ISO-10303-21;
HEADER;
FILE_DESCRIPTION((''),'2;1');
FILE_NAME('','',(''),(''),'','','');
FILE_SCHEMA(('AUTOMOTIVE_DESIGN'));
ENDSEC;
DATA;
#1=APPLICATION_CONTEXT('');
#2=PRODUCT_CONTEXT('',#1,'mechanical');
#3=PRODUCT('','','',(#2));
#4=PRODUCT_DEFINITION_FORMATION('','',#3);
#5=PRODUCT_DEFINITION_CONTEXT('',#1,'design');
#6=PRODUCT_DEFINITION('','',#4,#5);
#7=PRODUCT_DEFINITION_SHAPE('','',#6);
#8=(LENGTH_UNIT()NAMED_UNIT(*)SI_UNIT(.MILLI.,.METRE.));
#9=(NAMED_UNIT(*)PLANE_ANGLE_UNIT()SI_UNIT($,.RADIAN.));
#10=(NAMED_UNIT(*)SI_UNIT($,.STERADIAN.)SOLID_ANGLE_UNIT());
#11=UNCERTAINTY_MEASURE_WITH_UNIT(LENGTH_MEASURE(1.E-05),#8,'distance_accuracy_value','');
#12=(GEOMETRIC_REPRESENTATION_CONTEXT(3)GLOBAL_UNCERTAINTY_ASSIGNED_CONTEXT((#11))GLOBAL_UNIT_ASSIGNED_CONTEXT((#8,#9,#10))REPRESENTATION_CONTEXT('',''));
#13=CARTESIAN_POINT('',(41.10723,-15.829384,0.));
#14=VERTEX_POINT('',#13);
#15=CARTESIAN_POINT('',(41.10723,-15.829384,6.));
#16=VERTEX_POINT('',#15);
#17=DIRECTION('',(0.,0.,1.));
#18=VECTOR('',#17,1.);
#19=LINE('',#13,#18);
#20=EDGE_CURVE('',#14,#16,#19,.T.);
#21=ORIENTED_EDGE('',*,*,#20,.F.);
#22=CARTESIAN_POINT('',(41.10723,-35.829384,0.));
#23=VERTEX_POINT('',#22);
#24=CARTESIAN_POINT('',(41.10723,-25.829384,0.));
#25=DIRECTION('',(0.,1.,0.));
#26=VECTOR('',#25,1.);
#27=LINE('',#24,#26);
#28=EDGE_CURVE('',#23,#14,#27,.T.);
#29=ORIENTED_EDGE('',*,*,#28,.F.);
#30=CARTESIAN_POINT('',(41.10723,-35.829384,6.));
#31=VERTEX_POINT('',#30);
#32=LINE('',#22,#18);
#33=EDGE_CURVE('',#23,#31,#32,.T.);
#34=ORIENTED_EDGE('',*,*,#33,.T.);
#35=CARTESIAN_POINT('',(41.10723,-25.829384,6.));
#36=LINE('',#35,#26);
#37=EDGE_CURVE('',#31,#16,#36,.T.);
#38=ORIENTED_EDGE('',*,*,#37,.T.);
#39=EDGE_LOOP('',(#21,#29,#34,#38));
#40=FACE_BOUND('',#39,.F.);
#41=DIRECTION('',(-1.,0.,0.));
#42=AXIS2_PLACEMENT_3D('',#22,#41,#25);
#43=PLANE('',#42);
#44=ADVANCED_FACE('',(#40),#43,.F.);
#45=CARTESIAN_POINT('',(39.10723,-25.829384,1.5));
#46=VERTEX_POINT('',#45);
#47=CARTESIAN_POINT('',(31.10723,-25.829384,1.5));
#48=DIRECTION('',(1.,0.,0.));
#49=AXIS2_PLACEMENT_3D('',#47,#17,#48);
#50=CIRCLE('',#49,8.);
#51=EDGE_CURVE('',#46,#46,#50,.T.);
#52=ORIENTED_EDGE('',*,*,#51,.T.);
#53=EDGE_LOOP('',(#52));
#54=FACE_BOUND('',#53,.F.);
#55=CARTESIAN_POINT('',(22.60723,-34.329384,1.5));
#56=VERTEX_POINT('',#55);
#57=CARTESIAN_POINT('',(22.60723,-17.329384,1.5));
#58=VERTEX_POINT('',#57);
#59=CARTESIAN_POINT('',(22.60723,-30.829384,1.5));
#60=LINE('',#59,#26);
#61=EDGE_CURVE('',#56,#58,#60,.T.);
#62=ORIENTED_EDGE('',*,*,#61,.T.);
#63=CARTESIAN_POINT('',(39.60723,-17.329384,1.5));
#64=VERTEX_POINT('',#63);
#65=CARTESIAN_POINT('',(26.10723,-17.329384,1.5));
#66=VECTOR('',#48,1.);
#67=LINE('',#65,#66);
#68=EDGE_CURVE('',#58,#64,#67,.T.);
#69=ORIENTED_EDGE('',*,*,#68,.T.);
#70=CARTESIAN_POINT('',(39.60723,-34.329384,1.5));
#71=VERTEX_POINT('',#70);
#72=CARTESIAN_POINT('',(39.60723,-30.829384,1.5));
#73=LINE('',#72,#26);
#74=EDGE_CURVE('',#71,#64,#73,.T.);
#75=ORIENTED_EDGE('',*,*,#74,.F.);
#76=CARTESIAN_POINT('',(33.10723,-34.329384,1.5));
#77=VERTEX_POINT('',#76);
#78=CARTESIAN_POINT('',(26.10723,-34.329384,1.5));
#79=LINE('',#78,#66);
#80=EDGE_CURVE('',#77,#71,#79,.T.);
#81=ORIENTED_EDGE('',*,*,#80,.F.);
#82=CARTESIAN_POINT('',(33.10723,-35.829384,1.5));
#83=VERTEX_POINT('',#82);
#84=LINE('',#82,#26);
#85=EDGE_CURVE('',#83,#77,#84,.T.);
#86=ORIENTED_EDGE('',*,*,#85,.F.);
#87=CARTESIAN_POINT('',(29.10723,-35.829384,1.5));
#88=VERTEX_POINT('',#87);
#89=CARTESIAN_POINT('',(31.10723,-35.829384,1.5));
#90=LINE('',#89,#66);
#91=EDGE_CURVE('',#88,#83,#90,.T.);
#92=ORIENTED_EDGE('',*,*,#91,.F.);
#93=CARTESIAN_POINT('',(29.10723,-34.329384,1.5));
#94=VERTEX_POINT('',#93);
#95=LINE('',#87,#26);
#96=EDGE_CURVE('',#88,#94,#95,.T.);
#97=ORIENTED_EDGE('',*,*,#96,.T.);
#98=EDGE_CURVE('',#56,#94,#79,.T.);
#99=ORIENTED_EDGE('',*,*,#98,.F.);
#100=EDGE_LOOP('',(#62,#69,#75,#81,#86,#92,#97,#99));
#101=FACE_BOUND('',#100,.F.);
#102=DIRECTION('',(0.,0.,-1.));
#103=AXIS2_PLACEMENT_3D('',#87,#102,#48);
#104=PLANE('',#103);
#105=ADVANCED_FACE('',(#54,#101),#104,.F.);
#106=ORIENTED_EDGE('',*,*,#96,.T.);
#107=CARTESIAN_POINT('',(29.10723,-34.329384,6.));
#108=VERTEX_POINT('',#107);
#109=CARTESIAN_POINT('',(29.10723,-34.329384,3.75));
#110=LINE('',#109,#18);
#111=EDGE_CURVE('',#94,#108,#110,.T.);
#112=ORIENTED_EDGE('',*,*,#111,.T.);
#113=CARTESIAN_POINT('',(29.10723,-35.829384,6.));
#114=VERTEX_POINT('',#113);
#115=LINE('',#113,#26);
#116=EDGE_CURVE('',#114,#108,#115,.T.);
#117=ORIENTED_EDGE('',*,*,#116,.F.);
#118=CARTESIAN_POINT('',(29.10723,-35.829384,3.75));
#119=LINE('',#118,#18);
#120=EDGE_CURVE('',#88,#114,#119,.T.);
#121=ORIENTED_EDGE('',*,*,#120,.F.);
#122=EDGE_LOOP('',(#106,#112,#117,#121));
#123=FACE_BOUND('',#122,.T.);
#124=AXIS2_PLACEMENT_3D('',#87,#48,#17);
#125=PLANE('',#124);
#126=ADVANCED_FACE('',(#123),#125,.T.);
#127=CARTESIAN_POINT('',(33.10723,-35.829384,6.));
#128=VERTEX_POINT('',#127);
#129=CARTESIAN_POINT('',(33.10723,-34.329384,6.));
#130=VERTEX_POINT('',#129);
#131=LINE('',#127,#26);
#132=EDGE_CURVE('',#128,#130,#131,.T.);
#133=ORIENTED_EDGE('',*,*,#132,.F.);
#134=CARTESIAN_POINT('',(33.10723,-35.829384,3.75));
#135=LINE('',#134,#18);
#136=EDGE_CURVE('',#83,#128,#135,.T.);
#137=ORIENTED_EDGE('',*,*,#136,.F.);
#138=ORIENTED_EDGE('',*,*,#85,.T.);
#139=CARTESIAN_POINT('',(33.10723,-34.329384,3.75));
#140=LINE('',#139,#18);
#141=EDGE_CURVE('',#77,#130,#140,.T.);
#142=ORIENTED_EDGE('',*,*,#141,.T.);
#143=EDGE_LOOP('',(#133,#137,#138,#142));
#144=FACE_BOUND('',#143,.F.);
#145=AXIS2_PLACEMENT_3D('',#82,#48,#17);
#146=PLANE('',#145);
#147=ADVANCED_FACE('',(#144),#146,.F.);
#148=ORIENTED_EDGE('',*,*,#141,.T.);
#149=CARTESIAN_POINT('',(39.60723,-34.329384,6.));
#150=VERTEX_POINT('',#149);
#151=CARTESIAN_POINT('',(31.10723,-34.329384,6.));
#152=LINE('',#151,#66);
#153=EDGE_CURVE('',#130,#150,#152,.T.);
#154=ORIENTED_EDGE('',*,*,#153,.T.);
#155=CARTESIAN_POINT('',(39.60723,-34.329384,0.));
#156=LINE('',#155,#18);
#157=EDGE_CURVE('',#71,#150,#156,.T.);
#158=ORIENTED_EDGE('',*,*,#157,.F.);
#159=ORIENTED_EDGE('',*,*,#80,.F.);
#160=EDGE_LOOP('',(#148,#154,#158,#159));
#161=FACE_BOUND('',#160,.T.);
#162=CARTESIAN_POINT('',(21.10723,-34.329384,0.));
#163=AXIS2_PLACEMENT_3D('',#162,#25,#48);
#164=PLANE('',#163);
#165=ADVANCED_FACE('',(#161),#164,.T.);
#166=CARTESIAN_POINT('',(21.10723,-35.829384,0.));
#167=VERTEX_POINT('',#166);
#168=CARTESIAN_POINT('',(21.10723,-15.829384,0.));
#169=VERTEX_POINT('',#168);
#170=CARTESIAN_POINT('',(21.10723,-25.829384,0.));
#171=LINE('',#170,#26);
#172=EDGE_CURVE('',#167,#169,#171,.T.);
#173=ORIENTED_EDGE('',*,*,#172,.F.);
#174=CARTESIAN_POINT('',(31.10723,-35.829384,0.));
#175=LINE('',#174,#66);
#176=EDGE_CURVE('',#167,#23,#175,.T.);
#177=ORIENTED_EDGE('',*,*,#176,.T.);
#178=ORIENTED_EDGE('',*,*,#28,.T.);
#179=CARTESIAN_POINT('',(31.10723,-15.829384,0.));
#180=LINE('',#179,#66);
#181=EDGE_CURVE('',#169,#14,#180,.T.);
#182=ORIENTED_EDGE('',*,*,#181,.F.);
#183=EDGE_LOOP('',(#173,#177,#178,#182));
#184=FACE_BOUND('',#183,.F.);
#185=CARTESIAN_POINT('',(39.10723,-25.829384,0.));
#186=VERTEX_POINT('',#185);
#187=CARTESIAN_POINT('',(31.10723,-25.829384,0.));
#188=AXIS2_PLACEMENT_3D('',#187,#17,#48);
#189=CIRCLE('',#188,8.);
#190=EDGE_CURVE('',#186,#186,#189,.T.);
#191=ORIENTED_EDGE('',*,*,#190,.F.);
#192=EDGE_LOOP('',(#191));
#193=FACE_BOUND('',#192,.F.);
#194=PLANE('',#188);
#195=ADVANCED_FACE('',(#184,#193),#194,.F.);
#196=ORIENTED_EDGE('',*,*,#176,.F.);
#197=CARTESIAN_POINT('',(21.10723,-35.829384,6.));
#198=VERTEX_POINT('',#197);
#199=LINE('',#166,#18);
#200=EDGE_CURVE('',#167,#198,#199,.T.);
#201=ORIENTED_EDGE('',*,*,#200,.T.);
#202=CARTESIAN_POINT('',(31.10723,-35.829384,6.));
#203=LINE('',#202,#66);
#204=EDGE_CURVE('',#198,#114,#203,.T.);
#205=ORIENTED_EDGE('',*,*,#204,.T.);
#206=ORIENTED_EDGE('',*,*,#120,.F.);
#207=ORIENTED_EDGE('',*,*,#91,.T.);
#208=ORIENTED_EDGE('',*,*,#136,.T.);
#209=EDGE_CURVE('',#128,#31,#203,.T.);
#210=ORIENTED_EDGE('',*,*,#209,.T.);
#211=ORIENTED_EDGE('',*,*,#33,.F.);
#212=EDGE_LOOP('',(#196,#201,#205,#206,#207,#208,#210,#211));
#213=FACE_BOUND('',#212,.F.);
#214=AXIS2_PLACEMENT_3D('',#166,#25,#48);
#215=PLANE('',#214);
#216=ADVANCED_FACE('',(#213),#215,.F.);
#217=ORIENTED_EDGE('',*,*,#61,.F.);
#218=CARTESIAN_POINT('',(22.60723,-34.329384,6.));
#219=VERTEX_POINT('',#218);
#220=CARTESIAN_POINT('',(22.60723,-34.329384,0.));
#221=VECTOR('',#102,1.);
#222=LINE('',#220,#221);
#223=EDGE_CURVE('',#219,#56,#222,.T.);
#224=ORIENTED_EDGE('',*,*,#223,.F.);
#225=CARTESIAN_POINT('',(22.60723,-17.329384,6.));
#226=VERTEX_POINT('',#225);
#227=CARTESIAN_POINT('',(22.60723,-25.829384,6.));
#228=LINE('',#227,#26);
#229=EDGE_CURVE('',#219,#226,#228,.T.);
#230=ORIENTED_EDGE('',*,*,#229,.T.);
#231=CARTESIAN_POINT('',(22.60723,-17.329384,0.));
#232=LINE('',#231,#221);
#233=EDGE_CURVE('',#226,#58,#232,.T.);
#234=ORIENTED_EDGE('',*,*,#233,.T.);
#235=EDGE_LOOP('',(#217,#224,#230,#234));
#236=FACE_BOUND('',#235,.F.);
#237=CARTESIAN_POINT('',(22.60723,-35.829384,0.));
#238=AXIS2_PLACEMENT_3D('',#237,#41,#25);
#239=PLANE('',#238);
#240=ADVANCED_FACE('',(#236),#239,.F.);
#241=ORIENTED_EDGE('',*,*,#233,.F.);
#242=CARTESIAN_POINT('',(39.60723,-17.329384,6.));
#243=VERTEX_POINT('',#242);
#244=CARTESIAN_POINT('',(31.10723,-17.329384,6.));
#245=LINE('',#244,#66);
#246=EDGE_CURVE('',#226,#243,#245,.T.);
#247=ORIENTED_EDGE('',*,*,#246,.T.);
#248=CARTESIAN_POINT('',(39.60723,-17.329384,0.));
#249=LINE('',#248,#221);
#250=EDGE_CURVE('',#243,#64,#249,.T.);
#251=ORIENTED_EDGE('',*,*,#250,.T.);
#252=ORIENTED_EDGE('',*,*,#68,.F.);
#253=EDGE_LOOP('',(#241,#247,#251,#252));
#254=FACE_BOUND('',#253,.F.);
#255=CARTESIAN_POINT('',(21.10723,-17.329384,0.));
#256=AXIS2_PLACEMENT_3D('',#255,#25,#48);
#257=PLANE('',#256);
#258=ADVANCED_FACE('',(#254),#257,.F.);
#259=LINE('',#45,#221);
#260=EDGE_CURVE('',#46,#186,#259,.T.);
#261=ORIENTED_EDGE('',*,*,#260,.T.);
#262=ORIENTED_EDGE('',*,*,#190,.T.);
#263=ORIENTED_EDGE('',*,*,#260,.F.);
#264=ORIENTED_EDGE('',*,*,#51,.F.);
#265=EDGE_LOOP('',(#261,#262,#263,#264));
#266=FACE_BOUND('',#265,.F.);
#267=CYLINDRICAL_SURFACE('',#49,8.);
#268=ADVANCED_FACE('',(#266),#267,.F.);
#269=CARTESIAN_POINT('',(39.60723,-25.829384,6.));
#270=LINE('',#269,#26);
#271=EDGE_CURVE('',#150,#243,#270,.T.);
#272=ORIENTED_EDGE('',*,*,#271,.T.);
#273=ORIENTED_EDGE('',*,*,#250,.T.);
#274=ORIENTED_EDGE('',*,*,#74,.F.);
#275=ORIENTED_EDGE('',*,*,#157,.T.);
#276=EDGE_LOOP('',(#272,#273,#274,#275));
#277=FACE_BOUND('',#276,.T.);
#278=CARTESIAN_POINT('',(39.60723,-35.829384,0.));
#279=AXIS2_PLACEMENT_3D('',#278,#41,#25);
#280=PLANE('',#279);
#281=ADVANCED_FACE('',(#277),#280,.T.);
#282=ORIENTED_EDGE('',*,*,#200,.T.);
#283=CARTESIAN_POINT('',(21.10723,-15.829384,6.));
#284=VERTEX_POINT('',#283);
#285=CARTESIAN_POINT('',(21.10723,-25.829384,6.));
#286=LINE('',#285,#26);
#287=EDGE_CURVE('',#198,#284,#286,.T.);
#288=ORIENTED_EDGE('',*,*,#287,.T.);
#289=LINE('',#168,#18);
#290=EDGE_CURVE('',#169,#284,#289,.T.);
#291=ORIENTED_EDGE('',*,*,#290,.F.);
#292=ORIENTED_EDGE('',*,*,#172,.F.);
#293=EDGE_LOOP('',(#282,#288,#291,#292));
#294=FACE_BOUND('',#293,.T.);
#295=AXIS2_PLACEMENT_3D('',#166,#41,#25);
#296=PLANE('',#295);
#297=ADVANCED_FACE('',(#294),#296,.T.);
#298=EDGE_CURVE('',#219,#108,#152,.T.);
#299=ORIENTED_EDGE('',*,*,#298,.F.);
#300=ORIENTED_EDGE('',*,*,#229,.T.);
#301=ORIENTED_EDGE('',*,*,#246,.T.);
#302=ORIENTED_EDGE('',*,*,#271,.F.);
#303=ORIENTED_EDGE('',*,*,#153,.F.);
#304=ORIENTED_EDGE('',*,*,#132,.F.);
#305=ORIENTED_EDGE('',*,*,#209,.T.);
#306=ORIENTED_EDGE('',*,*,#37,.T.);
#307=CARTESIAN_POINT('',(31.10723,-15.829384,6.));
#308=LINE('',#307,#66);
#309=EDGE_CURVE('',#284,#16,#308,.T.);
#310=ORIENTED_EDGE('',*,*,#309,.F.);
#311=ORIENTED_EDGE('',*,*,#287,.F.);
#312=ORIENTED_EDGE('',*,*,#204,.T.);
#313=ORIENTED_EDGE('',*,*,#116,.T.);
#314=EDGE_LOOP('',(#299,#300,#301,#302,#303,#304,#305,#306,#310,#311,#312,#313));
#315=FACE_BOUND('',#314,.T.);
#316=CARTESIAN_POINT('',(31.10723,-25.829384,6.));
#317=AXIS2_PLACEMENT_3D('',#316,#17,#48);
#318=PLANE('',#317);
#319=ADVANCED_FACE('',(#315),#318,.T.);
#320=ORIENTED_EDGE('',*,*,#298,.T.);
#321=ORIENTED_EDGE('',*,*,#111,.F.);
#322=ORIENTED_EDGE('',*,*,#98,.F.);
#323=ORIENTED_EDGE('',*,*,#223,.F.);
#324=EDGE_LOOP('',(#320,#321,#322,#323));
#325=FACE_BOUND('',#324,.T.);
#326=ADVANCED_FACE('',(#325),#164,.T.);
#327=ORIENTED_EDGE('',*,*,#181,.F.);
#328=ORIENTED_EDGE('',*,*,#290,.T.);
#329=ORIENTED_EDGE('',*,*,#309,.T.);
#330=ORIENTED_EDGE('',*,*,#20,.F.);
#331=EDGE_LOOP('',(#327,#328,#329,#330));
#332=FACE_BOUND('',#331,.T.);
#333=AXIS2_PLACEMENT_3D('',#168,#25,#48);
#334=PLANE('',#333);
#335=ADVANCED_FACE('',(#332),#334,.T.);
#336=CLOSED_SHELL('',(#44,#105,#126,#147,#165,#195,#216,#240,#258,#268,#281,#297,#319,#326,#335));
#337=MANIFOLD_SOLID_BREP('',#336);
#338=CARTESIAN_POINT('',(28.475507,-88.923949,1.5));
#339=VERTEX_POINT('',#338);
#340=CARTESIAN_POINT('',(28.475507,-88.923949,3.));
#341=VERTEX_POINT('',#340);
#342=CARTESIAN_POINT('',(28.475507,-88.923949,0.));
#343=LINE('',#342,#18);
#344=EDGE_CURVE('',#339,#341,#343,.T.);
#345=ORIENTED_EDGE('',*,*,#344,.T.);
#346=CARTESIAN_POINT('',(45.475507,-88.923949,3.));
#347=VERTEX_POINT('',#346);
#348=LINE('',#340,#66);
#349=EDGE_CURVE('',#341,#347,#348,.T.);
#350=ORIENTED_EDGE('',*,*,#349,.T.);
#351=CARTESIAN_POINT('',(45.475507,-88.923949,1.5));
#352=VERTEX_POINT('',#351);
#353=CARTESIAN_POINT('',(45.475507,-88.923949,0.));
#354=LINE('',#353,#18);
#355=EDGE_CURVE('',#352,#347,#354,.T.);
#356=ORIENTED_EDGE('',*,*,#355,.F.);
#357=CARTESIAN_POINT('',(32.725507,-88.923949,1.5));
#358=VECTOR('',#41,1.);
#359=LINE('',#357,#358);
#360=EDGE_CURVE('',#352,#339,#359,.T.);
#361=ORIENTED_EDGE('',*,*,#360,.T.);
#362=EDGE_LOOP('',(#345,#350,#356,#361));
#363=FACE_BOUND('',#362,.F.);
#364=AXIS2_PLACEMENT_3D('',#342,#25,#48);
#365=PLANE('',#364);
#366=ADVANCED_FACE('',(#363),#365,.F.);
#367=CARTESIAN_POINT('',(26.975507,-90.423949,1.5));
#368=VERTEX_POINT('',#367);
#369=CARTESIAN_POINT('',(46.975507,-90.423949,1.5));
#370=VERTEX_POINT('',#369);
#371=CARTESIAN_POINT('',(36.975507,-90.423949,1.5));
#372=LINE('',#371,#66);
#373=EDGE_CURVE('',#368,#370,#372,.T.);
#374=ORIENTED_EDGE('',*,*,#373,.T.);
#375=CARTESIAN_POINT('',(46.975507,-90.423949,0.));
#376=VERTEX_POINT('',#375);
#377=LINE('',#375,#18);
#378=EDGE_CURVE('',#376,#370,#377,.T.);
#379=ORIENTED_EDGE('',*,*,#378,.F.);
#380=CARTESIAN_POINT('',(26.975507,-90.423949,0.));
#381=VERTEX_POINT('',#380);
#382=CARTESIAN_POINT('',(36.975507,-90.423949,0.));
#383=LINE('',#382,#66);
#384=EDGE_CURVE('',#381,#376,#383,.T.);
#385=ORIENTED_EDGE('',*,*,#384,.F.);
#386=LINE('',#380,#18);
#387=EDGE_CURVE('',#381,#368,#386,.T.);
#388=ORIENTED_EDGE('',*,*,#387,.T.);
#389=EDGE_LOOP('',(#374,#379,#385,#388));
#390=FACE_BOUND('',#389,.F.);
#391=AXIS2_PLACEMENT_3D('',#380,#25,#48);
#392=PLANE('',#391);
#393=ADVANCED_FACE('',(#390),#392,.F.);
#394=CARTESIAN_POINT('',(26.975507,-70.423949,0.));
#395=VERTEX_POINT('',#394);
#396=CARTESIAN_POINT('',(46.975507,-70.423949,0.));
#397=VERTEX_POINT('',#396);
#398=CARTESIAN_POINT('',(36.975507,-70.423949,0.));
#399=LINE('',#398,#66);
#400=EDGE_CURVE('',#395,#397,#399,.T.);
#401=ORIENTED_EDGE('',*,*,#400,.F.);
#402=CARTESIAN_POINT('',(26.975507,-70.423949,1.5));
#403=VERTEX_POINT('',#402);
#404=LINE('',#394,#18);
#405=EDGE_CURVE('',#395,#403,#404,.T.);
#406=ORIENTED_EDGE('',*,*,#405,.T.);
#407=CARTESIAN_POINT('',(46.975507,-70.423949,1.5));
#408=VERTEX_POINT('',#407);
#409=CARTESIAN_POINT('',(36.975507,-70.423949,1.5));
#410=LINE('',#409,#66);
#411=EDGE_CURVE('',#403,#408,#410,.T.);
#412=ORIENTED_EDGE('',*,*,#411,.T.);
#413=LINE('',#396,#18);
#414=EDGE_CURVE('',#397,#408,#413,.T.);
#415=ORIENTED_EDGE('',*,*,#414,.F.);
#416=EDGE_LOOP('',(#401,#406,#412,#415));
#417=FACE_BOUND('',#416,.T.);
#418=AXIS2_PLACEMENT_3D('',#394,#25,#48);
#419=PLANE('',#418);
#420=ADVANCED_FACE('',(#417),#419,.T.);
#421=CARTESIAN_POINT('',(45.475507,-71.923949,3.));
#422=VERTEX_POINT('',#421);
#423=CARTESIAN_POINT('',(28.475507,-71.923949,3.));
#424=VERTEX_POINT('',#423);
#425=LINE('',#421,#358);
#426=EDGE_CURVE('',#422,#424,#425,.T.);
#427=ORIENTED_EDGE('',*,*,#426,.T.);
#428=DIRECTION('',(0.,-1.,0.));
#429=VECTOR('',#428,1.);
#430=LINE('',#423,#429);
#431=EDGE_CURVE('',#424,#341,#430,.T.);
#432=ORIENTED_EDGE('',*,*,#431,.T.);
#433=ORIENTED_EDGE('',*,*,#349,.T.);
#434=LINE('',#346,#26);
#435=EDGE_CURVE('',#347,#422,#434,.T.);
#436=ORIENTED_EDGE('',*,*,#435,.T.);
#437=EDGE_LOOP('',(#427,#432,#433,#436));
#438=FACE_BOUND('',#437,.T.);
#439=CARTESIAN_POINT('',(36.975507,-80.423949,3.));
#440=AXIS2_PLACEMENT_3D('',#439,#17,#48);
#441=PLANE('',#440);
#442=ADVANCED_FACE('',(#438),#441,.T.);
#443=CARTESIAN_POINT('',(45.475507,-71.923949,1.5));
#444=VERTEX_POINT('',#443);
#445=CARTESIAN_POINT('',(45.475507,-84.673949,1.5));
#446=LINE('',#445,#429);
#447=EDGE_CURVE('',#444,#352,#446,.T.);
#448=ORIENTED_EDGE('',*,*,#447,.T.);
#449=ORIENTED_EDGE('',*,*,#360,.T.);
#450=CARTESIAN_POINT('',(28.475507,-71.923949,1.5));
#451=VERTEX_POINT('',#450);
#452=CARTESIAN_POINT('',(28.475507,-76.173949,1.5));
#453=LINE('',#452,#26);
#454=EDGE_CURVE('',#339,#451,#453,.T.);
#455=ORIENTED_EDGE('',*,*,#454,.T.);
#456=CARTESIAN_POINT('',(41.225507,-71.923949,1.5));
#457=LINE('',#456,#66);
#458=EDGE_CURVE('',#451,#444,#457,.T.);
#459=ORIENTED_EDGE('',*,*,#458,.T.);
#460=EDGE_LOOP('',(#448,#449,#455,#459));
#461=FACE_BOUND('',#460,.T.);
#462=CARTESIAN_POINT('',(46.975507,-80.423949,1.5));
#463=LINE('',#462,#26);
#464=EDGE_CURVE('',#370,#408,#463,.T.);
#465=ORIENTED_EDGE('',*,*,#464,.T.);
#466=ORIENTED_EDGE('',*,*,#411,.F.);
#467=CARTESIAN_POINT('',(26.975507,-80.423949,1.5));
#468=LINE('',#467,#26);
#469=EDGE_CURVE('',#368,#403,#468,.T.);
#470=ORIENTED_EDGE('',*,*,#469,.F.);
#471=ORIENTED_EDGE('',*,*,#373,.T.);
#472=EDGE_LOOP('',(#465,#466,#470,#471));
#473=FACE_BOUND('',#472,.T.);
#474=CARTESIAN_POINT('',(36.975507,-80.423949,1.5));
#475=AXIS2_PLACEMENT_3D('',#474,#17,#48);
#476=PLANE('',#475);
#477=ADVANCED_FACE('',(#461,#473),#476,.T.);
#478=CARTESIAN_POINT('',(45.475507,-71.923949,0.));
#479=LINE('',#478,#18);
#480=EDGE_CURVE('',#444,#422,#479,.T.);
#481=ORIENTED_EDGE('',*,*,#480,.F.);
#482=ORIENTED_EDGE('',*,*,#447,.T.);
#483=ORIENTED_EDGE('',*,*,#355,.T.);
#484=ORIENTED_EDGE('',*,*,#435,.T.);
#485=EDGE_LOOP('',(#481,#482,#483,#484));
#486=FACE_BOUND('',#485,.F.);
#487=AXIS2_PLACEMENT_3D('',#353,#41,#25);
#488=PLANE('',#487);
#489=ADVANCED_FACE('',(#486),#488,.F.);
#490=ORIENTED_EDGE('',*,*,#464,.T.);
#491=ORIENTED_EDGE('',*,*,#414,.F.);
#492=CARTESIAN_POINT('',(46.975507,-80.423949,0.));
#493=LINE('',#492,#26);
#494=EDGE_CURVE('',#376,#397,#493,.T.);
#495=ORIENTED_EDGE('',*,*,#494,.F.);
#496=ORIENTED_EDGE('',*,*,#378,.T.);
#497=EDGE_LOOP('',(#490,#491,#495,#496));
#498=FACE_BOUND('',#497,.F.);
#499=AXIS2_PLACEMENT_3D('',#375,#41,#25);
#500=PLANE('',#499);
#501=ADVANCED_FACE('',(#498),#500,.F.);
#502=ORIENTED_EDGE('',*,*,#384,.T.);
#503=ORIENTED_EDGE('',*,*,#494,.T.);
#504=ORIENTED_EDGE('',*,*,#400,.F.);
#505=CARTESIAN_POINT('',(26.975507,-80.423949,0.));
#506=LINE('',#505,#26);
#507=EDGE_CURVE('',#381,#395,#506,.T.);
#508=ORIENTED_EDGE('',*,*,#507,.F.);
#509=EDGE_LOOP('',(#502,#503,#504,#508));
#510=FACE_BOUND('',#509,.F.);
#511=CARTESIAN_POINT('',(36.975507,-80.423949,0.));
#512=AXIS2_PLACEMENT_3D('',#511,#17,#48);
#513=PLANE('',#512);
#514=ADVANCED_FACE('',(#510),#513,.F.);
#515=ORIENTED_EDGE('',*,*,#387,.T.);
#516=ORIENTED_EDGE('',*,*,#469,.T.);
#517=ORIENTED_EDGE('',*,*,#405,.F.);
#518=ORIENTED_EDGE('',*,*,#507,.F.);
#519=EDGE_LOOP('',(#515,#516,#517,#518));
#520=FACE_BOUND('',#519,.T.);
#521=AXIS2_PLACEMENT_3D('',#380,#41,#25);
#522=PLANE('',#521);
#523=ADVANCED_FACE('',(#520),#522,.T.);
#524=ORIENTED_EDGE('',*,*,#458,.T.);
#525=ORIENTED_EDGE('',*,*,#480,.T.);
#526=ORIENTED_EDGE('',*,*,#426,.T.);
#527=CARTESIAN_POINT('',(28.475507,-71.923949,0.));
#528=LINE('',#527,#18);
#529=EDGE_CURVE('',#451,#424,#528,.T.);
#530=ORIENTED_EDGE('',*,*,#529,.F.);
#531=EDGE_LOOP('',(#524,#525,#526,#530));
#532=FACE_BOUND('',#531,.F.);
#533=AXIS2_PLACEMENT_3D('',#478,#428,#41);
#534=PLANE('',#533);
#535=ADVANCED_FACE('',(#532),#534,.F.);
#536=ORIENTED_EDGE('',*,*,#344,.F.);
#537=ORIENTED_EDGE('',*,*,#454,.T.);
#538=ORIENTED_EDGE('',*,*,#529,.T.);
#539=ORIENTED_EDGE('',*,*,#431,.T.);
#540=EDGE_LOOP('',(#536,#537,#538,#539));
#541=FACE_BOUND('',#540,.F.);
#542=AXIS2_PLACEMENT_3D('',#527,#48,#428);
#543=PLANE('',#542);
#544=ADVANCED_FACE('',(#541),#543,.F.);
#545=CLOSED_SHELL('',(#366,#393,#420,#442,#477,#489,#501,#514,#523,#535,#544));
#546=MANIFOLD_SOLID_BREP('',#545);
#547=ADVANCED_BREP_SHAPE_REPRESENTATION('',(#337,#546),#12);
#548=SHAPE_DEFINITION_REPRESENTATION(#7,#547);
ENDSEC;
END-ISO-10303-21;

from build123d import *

# Parameters (mm, degrees)
F0_W     = 20
F0_H     = 20
F1_DEPTH = 6
F2_T     = -1.5
F3_R     = 8
F4_DEPTH = 1.5
F5_DEPTH = 1.5
F6_DEPTH = 3
F7_W     = 4
F7_H     = 4.5
F8_DEPTH = 1.5


with BuildPart() as f1:
    # F0 (on Top) → F1 (new body)
    with BuildSketch(Plane.XY):
        with Locations((31.10723, -25.829384)):
            Rectangle(F0_W, F0_H)
    extrude(amount=F1_DEPTH)

    # F2
    f2_openings = [f1.faces().sort_by_distance(p)[0] for p in [
        (31.10723, -25.829384, 6),
    ]]
    offset(amount=F2_T, openings=f2_openings)

    # F3 (on face) → F4 (cut, through all)
    with BuildSketch(Plane.XY.offset(1.5)):
        with Locations((31.10723, -25.829384)):
            Circle(F3_R)
    extrude(amount=-F4_DEPTH, mode=Mode.SUBTRACT)

    # F7 (on face) → F8 (cut, through all)
    with BuildSketch(Plane.XZ.offset(35.829384)):
        with Locations((31.10723, 3.75)):
            Rectangle(F7_W, F7_H)
    extrude(amount=-F8_DEPTH, mode=Mode.SUBTRACT)


with BuildPart() as f5:
    # F0 (on Top) → F5 (new body)
    with BuildSketch(Plane.XY):
        with Locations((36.975507, -80.423949)):
            Rectangle(F0_W, F0_H)
        Polygon((28.475507, -71.923949), (45.475507, -71.923949), (45.475507, -88.923949), (28.475507, -88.923949), (28.475507, -83.923949), align=None, mode=Mode.SUBTRACT)
        Polygon((45.475507, -88.923949), (45.475507, -71.923949), (28.475507, -71.923949), (28.475507, -83.923949), (28.475507, -88.923949), align=None)
    extrude(amount=F5_DEPTH)

    # F0 (on Top) → F6 (join)
    with BuildSketch(Plane.XY):
        Polygon((45.475507, -88.923949), (45.475507, -71.923949), (28.475507, -71.923949), (28.475507, -83.923949), (28.475507, -88.923949), align=None)
    extrude(amount=F6_DEPTH)


solid = Compound([f1.part, f5.part])
